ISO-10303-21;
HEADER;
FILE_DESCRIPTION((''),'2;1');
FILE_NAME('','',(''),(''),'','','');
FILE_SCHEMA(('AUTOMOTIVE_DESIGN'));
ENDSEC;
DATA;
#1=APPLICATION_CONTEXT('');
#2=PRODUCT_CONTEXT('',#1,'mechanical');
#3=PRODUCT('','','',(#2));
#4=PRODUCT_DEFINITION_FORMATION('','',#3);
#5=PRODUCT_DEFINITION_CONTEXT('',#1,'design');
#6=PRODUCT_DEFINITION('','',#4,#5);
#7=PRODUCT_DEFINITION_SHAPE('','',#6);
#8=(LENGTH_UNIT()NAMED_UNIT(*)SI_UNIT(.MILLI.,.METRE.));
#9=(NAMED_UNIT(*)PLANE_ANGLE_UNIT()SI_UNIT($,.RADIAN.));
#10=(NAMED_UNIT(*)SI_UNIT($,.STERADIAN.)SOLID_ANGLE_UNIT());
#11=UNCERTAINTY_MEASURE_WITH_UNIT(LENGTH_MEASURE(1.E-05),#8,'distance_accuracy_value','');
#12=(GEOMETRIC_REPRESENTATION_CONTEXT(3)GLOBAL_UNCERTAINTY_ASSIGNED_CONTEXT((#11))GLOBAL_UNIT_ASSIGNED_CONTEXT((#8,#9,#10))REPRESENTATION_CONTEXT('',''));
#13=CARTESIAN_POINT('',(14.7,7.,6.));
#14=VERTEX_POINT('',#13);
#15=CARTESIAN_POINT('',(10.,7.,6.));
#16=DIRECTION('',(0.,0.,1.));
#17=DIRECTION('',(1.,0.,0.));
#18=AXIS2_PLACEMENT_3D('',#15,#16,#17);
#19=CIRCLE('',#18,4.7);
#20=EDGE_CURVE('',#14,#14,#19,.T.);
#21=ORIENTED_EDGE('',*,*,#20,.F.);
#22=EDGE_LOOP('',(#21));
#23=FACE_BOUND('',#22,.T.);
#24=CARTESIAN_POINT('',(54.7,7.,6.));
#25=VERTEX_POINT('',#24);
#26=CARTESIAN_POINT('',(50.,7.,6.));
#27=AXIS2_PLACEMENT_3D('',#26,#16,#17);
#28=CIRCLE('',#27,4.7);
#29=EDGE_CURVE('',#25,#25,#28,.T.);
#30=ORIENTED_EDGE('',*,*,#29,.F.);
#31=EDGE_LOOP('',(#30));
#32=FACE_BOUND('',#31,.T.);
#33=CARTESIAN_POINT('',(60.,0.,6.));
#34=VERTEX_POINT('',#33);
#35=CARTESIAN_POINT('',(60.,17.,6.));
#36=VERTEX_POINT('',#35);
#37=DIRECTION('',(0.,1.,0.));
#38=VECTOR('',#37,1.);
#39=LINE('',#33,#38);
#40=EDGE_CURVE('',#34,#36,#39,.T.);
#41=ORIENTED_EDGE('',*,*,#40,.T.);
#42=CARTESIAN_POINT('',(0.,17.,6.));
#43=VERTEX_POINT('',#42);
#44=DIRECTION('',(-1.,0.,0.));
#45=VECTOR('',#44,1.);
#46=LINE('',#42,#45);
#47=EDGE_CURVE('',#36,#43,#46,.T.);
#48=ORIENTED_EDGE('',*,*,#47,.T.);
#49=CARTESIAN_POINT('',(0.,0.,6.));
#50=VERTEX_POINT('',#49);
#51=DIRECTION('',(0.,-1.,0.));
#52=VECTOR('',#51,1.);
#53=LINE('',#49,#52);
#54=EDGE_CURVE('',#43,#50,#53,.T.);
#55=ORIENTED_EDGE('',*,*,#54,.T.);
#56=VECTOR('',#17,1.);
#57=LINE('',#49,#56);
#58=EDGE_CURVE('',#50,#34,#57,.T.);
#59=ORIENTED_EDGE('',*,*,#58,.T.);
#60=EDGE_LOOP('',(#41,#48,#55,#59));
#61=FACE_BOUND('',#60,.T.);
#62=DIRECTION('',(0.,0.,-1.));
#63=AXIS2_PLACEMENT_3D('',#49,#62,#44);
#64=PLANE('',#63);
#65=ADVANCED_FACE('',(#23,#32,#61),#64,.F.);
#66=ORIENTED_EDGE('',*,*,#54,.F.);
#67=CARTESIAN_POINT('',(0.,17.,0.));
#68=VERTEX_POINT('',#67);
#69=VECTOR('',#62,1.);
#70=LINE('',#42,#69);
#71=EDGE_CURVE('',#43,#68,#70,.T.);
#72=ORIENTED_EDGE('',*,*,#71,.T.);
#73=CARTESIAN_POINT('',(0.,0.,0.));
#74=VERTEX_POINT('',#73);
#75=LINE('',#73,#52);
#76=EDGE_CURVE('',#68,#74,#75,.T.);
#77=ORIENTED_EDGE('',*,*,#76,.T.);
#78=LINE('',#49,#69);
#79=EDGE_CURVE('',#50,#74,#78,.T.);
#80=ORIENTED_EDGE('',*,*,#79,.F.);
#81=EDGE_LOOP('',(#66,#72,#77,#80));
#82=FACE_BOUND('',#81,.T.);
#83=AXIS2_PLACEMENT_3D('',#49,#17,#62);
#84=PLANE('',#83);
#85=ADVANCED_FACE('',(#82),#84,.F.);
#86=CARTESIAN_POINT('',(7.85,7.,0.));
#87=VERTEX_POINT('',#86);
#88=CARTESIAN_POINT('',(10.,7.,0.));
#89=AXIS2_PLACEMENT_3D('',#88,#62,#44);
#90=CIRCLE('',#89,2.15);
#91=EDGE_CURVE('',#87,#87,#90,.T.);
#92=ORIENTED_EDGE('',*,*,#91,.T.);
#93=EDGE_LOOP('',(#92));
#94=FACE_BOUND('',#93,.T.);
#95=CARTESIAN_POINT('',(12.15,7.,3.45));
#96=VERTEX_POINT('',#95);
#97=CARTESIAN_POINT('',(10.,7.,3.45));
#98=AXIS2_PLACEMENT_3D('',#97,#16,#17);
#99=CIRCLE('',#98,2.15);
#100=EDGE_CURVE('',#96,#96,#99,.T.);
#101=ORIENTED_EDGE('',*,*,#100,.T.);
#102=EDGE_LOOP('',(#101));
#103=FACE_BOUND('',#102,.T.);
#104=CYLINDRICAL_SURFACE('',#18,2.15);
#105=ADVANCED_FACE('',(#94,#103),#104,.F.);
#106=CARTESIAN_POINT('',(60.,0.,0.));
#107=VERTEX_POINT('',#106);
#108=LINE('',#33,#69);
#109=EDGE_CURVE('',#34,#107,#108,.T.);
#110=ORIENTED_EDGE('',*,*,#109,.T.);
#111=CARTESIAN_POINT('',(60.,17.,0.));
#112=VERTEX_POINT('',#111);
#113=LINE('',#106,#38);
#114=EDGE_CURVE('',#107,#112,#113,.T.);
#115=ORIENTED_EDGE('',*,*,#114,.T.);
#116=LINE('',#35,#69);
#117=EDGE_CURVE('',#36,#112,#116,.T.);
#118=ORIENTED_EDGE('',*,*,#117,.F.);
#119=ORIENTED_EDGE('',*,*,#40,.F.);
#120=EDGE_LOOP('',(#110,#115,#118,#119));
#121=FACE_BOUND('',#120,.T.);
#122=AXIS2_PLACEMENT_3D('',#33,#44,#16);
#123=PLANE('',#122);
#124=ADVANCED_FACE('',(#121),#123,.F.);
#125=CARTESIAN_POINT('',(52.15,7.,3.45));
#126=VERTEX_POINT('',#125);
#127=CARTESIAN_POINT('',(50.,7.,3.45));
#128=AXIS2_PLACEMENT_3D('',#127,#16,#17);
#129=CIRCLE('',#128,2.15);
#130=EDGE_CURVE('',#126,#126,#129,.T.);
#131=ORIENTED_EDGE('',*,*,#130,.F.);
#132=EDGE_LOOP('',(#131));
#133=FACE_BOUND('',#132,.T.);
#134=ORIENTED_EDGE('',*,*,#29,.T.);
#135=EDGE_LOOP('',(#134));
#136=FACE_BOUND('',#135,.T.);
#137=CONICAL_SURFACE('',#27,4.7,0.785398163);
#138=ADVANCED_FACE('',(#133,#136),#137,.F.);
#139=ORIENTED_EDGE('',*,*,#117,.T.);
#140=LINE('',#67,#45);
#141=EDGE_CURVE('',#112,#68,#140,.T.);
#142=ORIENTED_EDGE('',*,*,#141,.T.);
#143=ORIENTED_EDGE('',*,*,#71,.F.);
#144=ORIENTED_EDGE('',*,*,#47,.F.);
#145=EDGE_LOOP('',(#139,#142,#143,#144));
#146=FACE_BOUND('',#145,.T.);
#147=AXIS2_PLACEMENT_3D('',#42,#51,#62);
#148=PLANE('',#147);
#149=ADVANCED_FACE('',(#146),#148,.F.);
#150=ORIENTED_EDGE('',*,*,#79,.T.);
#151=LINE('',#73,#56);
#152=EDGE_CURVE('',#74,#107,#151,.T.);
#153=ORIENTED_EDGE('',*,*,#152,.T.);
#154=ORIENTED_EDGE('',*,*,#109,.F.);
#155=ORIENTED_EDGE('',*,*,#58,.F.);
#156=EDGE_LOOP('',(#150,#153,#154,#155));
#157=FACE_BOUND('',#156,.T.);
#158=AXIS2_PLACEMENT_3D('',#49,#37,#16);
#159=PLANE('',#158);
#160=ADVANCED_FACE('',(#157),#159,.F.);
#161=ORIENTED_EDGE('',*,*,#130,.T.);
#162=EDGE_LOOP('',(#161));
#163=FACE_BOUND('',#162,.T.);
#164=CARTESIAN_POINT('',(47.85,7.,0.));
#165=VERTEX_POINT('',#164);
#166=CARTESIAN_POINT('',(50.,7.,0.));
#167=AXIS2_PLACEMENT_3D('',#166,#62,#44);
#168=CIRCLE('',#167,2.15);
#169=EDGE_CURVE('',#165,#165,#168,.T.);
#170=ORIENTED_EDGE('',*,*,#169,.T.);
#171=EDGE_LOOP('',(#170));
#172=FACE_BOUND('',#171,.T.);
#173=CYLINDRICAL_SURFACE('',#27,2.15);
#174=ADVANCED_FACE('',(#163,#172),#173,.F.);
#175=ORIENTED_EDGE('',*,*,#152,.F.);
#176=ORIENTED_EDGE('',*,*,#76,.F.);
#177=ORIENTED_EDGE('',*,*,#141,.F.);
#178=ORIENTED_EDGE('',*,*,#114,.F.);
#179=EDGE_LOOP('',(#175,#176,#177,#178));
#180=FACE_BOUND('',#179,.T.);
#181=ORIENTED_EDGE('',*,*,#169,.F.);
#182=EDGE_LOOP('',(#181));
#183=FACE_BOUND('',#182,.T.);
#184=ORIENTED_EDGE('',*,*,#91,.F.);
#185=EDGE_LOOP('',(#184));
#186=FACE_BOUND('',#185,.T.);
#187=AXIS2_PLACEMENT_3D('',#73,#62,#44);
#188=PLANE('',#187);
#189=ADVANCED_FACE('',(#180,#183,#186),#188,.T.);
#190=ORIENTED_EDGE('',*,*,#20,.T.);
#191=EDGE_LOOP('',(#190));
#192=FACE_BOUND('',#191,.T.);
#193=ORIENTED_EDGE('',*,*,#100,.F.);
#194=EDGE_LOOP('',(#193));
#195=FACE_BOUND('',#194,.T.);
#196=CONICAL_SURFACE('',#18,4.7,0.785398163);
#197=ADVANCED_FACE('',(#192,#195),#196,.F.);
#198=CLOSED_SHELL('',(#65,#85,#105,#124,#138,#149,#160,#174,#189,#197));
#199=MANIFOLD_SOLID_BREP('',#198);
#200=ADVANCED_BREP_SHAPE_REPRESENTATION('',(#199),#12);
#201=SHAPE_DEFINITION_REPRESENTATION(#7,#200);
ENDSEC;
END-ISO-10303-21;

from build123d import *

# Parameters (mm, degrees)
SKETCH1_W                                       = 60
SKETCH1_H                                       = 17
BOSS_EXTRUDE1_DEPTH                             = 6
CSK_FOR_M4_FLAT_HEAD_MACHINE_SCREW1_D           = 4.3
CSK_FOR_M4_FLAT_HEAD_MACHINE_SCREW1_CSINK_D     = 9.4
CSK_FOR_M4_FLAT_HEAD_MACHINE_SCREW1_CSINK_ANGLE = 90


with BuildPart() as part:
    # Sketch1 → Boss-Extrude1 (new body)
    with BuildSketch(Plane.XY):
        with Locations((30, 8.5)):
            Rectangle(SKETCH1_W, SKETCH1_H)
    extrude(amount=BOSS_EXTRUDE1_DEPTH)

    # CSK for M4 Flat Head Machine Screw1 (through all)
    with Locations(Plane.XY.offset(6)):
        with Locations((10, 7), (50, 7)):
            CounterSinkHole(CSK_FOR_M4_FLAT_HEAD_MACHINE_SCREW1_D / 2, CSK_FOR_M4_FLAT_HEAD_MACHINE_SCREW1_CSINK_D / 2, counter_sink_angle=CSK_FOR_M4_FLAT_HEAD_MACHINE_SCREW1_CSINK_ANGLE)


solid = part.part
